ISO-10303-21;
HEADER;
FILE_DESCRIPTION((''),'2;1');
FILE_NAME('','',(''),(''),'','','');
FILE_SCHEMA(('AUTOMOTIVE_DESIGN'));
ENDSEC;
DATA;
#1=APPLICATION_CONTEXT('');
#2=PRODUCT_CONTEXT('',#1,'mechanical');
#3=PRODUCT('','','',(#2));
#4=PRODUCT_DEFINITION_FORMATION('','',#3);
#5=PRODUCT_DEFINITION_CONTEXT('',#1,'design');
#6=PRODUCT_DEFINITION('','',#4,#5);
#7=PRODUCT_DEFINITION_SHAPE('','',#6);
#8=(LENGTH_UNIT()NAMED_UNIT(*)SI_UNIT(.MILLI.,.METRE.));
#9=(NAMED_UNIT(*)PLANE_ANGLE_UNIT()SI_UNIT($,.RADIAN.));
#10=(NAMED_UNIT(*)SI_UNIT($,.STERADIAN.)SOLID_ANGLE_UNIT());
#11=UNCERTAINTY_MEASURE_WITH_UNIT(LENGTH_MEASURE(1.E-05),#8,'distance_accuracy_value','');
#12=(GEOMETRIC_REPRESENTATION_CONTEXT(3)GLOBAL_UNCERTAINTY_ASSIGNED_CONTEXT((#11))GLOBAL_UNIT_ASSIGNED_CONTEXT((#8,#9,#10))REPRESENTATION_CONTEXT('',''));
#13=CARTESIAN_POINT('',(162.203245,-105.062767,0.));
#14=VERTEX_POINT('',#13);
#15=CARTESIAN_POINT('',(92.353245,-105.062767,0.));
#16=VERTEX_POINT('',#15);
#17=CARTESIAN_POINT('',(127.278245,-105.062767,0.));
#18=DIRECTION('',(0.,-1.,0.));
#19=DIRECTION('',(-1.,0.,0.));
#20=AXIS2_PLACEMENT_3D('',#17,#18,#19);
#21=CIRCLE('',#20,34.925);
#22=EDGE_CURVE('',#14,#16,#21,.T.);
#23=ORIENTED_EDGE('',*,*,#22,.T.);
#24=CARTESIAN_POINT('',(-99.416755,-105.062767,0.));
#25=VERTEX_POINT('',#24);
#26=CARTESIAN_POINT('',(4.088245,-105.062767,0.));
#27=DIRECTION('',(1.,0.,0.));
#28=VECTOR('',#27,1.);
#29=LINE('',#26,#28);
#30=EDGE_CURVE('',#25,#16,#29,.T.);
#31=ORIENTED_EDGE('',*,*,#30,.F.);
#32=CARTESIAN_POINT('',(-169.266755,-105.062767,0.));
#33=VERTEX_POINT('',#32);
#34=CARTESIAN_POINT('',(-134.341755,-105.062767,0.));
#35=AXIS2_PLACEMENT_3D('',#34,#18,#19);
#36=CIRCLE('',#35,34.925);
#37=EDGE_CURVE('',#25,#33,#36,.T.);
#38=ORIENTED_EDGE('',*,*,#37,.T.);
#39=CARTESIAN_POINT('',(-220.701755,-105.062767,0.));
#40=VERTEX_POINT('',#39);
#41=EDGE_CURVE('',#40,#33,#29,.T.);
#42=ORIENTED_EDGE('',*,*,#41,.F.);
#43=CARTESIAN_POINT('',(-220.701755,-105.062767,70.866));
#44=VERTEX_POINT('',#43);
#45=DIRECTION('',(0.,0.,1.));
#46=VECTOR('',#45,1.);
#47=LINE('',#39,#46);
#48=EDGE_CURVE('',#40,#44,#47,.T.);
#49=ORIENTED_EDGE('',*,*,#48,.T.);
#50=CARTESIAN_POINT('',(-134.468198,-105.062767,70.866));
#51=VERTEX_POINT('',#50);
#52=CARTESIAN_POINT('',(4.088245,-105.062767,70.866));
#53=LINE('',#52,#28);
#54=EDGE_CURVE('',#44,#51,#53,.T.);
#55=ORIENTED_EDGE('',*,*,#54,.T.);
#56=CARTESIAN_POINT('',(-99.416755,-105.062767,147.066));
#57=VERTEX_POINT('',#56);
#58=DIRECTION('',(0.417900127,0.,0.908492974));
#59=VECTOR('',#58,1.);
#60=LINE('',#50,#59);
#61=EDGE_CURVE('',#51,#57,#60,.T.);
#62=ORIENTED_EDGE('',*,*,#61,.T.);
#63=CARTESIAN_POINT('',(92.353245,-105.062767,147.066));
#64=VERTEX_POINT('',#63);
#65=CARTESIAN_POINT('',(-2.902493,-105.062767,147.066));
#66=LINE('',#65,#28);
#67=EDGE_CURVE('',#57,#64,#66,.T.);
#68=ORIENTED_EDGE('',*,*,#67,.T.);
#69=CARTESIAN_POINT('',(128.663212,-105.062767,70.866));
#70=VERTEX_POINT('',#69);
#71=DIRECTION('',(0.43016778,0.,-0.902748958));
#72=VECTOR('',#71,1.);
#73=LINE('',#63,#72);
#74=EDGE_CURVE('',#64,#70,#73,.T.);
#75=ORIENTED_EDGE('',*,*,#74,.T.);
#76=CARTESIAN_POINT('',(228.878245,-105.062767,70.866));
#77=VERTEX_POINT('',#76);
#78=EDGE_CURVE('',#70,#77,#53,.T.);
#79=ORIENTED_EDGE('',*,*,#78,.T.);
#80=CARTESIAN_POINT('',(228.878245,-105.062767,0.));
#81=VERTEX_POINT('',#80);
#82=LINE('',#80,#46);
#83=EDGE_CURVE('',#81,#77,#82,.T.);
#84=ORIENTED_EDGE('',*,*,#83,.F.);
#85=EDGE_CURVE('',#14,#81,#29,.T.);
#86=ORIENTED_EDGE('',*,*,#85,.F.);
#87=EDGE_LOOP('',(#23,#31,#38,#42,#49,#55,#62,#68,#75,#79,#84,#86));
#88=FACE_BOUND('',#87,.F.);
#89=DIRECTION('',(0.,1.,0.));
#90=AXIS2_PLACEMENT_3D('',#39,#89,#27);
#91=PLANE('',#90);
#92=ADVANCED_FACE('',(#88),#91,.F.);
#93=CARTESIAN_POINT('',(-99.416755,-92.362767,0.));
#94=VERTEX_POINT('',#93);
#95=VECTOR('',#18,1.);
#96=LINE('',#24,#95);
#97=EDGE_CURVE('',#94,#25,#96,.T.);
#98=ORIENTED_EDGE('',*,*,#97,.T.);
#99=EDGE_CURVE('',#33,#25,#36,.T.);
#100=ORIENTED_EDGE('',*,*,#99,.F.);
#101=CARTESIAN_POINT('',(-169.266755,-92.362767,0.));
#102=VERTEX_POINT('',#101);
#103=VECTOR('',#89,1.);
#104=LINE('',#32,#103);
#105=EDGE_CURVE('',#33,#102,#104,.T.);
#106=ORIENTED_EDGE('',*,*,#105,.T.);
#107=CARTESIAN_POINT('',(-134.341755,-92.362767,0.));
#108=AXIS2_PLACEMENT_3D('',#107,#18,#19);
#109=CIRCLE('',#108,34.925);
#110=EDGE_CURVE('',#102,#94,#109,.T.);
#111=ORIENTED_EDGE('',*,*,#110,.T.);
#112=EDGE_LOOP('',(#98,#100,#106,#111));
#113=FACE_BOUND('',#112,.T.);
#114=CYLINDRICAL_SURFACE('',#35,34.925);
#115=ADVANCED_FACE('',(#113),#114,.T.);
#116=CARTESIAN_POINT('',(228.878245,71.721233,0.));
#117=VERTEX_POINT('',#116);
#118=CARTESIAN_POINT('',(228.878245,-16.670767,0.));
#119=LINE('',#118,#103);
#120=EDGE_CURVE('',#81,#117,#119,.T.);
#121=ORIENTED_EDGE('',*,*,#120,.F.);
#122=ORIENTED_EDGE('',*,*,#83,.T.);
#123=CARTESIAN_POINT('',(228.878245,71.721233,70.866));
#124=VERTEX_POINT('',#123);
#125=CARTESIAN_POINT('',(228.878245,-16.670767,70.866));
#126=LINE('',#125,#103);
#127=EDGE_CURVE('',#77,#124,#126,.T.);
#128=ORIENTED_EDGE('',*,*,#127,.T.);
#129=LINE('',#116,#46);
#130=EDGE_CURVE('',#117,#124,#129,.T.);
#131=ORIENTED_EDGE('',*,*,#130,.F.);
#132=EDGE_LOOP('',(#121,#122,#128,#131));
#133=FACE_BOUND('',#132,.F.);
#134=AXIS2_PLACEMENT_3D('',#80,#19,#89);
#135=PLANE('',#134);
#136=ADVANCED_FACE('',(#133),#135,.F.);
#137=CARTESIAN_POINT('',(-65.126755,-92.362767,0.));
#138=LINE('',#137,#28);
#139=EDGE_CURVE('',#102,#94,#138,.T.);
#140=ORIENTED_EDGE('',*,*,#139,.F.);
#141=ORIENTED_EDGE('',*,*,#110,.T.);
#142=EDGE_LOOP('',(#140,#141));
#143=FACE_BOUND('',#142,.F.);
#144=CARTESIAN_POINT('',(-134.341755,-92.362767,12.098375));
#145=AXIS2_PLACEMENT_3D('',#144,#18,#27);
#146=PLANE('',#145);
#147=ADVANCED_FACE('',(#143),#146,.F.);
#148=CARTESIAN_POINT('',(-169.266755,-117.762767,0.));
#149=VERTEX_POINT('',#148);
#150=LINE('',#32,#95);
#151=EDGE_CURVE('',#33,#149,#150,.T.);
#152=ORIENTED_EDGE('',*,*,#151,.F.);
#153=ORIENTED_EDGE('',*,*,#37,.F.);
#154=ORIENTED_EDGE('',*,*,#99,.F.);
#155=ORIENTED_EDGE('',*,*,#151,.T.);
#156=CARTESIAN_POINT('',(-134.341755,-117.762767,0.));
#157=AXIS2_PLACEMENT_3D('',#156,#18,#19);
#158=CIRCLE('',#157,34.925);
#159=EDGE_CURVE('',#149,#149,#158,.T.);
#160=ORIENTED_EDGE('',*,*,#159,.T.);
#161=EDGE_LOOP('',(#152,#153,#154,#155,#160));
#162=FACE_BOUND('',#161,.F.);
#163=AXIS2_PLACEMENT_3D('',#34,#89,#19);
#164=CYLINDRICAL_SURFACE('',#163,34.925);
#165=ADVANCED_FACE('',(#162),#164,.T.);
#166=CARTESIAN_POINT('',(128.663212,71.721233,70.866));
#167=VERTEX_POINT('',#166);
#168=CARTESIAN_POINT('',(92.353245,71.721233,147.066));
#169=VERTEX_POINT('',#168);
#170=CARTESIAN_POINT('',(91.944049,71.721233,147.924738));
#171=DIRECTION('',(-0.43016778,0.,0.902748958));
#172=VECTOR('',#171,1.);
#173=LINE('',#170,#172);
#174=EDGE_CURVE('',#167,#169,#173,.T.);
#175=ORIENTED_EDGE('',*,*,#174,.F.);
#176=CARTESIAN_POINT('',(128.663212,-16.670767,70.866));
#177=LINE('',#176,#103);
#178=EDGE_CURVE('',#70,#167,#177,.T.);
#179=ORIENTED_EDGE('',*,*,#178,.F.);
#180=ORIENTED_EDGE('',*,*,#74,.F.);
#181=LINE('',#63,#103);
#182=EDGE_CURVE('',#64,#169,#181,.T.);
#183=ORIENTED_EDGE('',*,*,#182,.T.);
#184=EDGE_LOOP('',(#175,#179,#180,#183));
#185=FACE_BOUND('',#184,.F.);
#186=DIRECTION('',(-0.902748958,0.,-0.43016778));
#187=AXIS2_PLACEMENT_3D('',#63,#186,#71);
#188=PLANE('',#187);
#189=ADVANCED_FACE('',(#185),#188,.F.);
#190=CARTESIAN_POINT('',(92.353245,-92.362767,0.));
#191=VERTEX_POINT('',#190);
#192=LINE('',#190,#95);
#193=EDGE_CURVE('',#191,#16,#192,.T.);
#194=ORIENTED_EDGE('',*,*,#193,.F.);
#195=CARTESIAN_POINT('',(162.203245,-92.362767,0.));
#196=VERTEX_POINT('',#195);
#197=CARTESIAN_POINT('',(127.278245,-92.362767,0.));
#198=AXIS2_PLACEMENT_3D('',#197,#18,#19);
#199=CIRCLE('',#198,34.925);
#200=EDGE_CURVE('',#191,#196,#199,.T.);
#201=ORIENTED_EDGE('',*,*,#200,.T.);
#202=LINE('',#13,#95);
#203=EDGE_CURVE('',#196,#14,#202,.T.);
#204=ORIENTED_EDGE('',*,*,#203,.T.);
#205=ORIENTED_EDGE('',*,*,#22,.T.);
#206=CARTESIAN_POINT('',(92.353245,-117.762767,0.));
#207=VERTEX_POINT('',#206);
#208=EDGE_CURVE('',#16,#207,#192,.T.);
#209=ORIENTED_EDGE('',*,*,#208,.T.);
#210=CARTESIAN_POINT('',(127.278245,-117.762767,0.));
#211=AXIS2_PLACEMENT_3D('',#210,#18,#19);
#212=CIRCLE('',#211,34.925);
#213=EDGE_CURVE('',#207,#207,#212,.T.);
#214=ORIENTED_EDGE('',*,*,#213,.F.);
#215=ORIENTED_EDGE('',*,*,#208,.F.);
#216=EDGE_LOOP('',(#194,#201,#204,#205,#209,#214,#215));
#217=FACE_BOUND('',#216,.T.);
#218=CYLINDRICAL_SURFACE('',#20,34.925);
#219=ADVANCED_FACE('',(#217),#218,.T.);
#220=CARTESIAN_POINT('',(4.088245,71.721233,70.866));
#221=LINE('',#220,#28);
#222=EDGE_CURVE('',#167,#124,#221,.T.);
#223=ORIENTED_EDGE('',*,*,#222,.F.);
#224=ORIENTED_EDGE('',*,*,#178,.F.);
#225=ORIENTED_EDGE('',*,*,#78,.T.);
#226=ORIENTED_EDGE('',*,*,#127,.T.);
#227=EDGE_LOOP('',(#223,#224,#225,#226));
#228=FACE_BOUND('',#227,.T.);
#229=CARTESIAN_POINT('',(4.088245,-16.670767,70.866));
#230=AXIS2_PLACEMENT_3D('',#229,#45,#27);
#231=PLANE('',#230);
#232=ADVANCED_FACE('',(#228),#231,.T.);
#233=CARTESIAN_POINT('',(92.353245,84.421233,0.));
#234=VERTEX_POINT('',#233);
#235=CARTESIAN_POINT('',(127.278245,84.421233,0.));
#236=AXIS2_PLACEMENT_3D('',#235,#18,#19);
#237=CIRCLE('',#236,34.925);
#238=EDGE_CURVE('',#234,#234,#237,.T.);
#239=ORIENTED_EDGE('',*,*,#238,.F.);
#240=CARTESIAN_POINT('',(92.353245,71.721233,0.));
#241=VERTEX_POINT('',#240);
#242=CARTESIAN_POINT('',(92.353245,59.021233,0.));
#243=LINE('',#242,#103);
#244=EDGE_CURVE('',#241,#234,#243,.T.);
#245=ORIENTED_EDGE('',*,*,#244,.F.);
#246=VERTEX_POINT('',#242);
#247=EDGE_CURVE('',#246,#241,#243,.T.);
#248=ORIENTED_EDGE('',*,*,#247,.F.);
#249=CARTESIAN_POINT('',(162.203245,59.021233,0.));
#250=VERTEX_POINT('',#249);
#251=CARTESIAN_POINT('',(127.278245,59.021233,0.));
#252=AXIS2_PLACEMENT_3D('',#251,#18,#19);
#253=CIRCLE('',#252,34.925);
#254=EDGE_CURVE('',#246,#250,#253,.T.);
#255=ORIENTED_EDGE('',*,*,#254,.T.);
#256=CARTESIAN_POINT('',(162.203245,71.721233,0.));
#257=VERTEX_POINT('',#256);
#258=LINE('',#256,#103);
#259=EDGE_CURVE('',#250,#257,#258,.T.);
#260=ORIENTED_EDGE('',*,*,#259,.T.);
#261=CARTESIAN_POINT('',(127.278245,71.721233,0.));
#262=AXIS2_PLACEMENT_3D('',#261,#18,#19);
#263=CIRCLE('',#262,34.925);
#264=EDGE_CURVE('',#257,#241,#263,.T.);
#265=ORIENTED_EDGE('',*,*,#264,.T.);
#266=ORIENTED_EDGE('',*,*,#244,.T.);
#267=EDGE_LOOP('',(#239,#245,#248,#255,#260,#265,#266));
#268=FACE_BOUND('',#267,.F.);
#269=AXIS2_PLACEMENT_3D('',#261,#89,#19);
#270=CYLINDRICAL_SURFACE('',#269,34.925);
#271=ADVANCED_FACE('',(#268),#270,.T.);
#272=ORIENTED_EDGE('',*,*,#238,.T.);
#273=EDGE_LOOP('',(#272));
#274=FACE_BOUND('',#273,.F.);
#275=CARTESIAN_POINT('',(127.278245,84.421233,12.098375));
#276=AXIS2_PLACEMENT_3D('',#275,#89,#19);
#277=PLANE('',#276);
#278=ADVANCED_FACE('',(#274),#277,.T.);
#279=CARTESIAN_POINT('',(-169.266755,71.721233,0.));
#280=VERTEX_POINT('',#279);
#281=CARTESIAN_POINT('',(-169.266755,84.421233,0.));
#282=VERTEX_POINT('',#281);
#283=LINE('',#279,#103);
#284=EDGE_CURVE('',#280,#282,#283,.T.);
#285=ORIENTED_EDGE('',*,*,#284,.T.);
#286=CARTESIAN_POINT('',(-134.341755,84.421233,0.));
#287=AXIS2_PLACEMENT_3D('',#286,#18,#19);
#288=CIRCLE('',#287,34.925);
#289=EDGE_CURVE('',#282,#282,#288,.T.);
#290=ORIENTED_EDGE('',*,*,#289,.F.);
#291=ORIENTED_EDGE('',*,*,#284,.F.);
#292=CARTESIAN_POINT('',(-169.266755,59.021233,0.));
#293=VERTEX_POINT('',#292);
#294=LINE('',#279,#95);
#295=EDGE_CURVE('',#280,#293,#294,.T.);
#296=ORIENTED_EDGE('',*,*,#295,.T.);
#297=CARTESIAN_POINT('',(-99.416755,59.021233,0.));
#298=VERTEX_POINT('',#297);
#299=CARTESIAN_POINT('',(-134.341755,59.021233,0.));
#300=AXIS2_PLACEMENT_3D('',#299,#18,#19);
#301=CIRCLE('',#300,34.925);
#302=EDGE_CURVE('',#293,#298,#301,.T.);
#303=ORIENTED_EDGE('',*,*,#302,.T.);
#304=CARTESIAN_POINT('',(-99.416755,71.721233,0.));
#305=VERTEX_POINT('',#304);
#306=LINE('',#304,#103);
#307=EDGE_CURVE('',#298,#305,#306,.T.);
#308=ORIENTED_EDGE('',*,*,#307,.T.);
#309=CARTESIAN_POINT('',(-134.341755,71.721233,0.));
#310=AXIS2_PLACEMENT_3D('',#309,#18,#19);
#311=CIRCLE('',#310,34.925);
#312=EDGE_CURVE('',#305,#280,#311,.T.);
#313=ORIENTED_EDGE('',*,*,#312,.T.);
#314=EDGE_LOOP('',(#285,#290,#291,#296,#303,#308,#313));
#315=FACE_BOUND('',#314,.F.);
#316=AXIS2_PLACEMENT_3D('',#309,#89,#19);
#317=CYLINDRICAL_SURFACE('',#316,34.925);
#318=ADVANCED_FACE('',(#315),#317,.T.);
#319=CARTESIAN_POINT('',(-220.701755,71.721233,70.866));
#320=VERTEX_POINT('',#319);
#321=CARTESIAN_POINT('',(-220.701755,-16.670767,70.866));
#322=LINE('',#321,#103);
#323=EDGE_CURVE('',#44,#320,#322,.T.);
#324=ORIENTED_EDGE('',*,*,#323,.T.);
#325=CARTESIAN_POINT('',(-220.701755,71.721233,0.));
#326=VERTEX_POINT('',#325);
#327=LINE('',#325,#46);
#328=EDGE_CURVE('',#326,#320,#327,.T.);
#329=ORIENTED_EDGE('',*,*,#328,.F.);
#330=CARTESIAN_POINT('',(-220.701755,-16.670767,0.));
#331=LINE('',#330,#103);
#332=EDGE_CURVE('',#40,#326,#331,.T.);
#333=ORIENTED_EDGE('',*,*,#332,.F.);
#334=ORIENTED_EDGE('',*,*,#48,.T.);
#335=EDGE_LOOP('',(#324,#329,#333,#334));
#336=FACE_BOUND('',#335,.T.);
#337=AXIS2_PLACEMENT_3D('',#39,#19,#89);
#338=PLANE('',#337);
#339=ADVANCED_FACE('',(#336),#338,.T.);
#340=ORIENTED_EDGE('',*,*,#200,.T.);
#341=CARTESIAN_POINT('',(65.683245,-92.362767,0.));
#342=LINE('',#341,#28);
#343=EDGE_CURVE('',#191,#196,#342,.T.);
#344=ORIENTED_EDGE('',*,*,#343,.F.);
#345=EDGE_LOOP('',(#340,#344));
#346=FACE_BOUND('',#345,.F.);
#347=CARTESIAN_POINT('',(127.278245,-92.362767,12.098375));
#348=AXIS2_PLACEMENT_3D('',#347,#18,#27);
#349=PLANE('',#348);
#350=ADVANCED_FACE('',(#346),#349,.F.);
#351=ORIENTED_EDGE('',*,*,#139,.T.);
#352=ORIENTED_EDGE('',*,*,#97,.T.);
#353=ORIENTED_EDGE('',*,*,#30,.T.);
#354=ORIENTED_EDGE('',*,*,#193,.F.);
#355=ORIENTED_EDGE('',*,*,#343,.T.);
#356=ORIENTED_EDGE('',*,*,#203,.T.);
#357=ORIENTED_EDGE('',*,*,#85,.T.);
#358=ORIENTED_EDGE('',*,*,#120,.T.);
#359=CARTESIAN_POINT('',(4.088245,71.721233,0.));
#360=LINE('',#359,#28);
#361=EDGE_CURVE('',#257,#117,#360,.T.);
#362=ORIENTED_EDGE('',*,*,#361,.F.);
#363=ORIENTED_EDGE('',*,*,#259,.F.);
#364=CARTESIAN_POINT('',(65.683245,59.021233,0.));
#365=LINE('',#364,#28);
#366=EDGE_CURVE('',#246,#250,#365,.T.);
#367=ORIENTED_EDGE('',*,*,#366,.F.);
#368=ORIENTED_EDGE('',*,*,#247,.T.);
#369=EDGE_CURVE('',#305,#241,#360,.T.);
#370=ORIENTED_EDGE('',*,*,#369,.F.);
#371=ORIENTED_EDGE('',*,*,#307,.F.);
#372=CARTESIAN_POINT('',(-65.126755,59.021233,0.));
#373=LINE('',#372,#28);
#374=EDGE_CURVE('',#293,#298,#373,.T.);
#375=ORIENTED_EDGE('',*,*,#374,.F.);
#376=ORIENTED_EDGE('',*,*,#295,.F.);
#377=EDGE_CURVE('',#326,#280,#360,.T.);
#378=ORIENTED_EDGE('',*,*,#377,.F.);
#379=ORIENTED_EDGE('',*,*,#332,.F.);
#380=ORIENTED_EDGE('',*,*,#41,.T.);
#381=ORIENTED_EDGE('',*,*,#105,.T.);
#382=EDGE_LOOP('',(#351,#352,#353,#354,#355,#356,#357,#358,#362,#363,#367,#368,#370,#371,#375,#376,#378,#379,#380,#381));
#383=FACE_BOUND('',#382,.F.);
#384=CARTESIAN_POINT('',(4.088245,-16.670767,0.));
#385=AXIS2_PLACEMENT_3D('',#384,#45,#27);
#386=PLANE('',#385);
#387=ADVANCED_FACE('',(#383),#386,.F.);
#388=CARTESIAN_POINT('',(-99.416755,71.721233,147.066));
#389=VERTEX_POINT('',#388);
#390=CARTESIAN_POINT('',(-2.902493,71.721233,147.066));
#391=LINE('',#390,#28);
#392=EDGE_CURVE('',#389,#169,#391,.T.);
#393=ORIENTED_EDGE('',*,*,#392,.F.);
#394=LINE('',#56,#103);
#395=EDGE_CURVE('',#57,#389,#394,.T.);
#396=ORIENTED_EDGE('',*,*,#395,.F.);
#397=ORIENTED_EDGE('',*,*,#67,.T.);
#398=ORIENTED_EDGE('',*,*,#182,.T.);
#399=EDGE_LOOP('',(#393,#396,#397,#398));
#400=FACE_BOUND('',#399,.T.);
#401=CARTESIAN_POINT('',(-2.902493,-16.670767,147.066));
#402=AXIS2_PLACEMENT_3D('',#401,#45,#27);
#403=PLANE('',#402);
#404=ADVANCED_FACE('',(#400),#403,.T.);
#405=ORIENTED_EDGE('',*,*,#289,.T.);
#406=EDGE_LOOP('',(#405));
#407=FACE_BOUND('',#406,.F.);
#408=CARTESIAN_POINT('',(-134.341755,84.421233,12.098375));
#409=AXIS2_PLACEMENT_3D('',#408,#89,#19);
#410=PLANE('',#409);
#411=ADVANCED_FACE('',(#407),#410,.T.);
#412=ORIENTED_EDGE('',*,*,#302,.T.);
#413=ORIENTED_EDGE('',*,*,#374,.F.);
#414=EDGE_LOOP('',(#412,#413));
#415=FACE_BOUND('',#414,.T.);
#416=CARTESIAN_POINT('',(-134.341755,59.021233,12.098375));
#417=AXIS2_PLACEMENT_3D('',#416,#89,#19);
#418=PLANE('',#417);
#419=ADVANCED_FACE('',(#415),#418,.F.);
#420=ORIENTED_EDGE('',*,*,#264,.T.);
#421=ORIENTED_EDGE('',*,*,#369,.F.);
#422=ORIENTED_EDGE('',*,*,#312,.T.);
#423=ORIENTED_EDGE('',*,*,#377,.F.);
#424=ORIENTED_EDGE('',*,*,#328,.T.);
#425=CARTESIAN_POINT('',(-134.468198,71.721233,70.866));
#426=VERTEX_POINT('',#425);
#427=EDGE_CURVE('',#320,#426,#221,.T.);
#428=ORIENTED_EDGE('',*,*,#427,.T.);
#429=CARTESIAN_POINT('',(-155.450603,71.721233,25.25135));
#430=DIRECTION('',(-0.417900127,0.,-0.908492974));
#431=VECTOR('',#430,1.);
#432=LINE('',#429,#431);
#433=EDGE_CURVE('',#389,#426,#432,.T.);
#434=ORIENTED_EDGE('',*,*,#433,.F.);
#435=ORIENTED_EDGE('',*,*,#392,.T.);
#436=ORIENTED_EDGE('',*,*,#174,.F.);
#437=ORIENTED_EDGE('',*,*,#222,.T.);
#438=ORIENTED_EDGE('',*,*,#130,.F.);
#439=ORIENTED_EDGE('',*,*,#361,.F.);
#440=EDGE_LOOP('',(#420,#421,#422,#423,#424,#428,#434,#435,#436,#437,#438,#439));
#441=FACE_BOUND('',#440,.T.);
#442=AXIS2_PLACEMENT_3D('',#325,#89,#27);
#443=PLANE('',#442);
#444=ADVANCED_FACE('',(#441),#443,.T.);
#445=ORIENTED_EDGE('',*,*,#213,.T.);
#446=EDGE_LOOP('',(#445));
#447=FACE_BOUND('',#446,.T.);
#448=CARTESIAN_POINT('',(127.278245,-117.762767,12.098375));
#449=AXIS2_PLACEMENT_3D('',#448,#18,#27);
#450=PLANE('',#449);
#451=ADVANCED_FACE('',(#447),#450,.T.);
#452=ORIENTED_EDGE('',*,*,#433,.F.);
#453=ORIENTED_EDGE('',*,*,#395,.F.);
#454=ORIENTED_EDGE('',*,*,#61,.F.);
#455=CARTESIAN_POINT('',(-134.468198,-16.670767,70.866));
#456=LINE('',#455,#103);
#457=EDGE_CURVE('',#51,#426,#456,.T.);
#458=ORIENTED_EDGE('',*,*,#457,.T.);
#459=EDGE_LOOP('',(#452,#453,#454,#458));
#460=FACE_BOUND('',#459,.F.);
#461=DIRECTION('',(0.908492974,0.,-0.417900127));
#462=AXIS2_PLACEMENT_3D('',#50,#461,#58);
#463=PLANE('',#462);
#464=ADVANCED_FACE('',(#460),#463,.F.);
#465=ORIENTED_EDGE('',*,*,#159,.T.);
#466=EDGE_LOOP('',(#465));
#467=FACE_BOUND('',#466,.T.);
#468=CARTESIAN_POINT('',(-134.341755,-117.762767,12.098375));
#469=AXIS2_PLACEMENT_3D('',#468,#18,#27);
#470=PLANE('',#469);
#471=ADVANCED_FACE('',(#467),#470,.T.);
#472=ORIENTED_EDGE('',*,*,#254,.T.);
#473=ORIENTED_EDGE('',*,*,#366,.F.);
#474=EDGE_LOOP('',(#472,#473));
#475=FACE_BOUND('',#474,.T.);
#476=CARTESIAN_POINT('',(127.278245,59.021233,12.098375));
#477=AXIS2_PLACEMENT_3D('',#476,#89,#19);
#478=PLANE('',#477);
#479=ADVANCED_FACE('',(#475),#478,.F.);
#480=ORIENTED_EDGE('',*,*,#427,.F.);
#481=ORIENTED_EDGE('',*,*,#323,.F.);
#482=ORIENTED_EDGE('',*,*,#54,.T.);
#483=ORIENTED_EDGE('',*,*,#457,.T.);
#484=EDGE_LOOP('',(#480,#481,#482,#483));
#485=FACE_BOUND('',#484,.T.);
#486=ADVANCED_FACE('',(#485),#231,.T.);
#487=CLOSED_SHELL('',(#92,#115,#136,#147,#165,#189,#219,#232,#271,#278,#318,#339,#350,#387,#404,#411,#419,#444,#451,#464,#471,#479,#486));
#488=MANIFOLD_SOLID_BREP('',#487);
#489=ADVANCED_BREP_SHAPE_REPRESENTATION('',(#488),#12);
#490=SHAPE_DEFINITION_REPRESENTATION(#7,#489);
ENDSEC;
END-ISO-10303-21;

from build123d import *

# Parameters (mm, degrees)
F0_W     = 449.58
F0_H     = 176.784
F1_DEPTH = 70.866
F3_DEPTH = 12.7
F6_W     = 263.13141
F6_H     = 176.784
F7_DEPTH = 76.2
F9_DEPTH = 189.485


with BuildPart() as f1:
    # F0 (on Top) → F1 (new body)
    with BuildSketch(Plane.XY):
        with Locations((4.088245, -16.670767)):
            Rectangle(F0_W, F0_H)
    extrude(amount=F1_DEPTH)

    # F2 (on face) → F3 (join, symmetric)
    with BuildSketch(Plane.XZ.offset(105.062767)):
        with BuildLine():
            Line((-169.266755, 0), (-99.416755, 0))
            ThreePointArc((-99.416755, 0), (-134.341755, 34.925), (-169.266755, 0))
        make_face()
        with BuildLine():
            ThreePointArc((-169.266755, 0), (-134.341755, -34.925), (-99.416755, 0))
            Line((-99.416755, 0), (-169.266755, 0))
        make_face()
        with BuildLine():
            ThreePointArc((162.203245, 0), (127.278245, 34.925), (92.353245, 0))
            Line((92.353245, 0), (162.203245, 0))
        make_face()
        with BuildLine():
            Line((162.203245, 0), (92.353245, 0))
            ThreePointArc((92.353245, 0), (127.278245, -34.925), (162.203245, 0))
        make_face()
    extrude(amount=F3_DEPTH, both=True)

    # F5: F1 across plane


with BuildPart() as f1_1:
    add(f1.part)
    add(f1.part.mirror(Plane(origin=(5.13005, -16.670767, 38.250844), x_dir=(1, 0, 0), z_dir=(0, -1, 0))))

    # F6 (on face) → F7 (join)
    with BuildSketch(Plane.XY.offset(70.866)):
        with Locations((-2.902493, -16.670767)):
            Rectangle(F6_W, F6_H)
    extrude(amount=F7_DEPTH)

    # F8 (on face) → F9 (cut, through all)
    with BuildSketch(Plane.XZ.offset(105.062767)):
        Polygon((-134.468198, 147.066), (-134.468198, 70.866), (-99.416755, 147.066), align=None)
        Polygon((128.663212, 147.066), (92.353245, 147.066), (128.663212, 70.866), align=None)
    extrude(amount=-F9_DEPTH, mode=Mode.SUBTRACT)


solid = f1_1.part
